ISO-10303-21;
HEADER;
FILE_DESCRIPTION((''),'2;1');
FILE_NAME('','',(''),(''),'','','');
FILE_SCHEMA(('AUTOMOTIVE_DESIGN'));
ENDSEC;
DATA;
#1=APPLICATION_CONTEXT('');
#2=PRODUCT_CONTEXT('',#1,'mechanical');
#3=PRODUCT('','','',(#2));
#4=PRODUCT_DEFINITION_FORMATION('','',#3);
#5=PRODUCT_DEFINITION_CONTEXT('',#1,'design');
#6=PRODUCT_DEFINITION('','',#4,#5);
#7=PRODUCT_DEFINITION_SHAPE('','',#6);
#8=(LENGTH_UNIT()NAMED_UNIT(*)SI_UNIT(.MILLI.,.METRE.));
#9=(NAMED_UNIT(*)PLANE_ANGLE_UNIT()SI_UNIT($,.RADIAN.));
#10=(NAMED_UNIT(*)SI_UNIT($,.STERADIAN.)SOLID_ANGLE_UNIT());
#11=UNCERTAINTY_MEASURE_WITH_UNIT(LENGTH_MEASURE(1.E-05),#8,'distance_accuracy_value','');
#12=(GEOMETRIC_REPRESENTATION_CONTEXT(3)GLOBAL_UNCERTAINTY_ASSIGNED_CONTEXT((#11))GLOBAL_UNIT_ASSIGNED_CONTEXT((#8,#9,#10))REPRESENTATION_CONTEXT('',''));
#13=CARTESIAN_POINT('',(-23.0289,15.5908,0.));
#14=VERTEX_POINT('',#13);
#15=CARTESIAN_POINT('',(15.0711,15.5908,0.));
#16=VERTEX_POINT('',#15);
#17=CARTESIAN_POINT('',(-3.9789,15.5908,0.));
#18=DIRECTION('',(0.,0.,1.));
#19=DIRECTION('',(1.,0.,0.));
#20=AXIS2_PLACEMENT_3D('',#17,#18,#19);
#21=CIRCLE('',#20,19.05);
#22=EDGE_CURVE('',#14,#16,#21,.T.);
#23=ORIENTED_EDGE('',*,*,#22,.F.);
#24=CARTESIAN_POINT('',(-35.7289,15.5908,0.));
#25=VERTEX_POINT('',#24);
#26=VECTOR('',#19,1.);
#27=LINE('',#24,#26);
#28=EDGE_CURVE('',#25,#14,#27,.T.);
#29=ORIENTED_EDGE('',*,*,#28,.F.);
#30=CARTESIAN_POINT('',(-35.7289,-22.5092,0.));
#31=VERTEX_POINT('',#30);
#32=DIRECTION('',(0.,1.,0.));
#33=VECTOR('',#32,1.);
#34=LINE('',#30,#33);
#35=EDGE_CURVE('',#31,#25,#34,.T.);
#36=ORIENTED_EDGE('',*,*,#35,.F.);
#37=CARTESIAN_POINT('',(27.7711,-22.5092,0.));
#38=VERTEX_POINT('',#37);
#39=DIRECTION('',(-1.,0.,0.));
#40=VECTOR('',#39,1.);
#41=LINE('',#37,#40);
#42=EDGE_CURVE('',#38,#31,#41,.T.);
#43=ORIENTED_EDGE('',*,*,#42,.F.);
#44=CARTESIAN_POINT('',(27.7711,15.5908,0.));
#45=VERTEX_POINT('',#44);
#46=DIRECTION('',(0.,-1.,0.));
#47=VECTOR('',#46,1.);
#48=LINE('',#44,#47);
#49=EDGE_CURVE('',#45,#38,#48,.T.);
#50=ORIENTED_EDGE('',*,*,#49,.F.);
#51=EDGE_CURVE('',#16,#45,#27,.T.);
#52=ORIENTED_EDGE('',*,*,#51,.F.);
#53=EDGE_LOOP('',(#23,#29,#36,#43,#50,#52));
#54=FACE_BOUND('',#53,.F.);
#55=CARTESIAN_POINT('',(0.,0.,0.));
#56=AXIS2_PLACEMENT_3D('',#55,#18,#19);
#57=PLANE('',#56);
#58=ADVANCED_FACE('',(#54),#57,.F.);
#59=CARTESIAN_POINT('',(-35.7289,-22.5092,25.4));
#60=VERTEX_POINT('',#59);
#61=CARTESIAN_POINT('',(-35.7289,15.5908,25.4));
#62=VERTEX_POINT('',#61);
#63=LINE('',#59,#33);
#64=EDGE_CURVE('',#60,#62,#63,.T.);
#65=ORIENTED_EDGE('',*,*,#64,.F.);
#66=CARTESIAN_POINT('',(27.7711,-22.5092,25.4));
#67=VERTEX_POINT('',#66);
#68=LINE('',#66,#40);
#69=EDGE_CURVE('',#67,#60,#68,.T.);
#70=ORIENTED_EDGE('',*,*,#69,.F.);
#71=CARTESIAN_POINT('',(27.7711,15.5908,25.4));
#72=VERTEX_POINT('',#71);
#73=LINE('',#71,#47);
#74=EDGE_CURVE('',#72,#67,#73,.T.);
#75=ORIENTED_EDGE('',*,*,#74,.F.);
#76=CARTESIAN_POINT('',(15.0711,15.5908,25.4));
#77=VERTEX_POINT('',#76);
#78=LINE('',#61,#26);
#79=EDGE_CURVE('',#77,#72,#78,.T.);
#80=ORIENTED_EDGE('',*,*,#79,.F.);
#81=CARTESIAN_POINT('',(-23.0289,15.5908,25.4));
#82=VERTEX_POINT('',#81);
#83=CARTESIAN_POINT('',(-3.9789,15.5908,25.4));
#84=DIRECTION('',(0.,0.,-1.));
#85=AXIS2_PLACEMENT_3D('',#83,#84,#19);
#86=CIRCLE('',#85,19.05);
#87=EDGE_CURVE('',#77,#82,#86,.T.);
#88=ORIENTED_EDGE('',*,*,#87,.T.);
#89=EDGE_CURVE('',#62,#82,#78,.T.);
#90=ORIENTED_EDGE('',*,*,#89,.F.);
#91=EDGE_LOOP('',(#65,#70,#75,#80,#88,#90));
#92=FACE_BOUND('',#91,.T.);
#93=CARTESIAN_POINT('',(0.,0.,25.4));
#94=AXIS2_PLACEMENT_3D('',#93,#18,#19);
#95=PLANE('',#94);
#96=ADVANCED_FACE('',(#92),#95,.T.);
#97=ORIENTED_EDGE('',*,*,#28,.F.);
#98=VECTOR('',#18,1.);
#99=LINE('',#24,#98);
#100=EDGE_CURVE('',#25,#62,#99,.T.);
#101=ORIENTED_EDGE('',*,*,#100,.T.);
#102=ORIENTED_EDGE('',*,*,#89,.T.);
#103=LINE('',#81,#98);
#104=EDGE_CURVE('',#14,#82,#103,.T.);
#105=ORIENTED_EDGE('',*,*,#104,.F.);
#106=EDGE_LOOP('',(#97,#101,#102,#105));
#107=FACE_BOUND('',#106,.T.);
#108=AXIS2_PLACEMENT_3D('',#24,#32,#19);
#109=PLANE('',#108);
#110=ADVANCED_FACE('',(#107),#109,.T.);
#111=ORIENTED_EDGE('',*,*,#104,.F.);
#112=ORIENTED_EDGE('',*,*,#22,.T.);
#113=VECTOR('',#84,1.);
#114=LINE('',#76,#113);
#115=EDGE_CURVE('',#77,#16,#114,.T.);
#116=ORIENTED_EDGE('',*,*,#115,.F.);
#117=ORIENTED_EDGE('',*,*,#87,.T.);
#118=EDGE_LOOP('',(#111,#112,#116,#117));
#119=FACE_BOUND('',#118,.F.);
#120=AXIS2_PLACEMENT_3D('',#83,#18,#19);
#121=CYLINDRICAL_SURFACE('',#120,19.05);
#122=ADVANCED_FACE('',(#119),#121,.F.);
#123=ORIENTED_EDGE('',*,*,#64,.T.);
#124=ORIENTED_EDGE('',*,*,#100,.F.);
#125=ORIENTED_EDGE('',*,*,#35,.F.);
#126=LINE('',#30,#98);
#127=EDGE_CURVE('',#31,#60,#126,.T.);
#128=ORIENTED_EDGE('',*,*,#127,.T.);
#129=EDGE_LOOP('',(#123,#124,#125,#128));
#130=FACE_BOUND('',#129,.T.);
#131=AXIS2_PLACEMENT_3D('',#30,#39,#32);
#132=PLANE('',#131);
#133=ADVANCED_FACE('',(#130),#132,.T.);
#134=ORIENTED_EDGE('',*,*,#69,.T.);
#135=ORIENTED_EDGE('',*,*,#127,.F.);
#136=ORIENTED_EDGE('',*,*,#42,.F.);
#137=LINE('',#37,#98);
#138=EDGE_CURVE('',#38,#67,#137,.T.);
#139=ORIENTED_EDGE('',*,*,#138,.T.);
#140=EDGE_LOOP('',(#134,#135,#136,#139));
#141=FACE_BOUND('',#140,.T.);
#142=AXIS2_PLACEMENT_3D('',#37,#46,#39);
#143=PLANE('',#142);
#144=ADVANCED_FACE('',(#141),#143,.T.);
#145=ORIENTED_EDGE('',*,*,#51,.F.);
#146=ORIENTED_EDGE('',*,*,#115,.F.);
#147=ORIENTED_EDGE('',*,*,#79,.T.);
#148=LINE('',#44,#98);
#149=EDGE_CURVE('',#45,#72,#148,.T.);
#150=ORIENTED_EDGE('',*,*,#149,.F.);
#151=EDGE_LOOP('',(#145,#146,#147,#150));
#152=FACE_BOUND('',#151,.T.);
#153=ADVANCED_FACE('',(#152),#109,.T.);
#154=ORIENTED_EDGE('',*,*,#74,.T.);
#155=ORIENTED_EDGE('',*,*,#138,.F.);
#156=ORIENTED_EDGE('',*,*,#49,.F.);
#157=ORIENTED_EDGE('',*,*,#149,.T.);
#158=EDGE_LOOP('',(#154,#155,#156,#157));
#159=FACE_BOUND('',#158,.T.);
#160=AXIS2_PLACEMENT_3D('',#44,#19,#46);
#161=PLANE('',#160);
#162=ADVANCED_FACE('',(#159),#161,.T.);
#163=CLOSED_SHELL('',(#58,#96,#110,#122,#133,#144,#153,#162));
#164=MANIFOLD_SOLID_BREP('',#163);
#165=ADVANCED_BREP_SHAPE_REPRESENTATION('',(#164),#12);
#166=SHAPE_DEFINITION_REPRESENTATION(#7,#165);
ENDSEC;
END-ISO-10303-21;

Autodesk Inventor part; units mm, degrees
ref_plane "YZ Plane" through (0, 0, 0) normal (1, 0, 0) x (0, 1, 0)
ref_plane "XZ Plane" through (0, 0, 0) normal (0, 1, 0) x (-1, 0, 0)
ref_plane "XY Plane" through (0, 0, 0) normal (0, 0, 1) x (1, 0, 0)
sketch "Sketch1" plane through (0, 0, 0) normal (0, 0, 1) x (1, 0, 0)
  line L0 (-35.7289, 15.5908) -> (27.7711, 15.5908)
  line L1 (27.7711, 15.5908) -> (27.7711, -22.5092)
  line L2 (27.7711, -22.5092) -> (-35.7289, -22.5092)
  line L3 (-35.7289, -22.5092) -> (-35.7289, 15.5908)
  point P0 (0, 0)
  dimension "d0" = 63.5
  dimension "d1" = 38.1
extrude "Extrusion1" add sketch "Sketch1" along normal blind 25.4
sketch "Sketch2" plane through (0, 0, 25.4) normal (0, 0, 1) x (1, 0, 0)
  line L0 (27.7711, 15.5908) -> (-35.7289, 15.5908) projected
  circle A0 centre (-3.9789, 15.5908) radius 19.05
  point P0 (0, 0)
  dimension "d4" = 38.1
extrude "Extrusion2" cut sketch "Sketch2" against normal blind 25.4
properties part number "Figure 7_28_10"
